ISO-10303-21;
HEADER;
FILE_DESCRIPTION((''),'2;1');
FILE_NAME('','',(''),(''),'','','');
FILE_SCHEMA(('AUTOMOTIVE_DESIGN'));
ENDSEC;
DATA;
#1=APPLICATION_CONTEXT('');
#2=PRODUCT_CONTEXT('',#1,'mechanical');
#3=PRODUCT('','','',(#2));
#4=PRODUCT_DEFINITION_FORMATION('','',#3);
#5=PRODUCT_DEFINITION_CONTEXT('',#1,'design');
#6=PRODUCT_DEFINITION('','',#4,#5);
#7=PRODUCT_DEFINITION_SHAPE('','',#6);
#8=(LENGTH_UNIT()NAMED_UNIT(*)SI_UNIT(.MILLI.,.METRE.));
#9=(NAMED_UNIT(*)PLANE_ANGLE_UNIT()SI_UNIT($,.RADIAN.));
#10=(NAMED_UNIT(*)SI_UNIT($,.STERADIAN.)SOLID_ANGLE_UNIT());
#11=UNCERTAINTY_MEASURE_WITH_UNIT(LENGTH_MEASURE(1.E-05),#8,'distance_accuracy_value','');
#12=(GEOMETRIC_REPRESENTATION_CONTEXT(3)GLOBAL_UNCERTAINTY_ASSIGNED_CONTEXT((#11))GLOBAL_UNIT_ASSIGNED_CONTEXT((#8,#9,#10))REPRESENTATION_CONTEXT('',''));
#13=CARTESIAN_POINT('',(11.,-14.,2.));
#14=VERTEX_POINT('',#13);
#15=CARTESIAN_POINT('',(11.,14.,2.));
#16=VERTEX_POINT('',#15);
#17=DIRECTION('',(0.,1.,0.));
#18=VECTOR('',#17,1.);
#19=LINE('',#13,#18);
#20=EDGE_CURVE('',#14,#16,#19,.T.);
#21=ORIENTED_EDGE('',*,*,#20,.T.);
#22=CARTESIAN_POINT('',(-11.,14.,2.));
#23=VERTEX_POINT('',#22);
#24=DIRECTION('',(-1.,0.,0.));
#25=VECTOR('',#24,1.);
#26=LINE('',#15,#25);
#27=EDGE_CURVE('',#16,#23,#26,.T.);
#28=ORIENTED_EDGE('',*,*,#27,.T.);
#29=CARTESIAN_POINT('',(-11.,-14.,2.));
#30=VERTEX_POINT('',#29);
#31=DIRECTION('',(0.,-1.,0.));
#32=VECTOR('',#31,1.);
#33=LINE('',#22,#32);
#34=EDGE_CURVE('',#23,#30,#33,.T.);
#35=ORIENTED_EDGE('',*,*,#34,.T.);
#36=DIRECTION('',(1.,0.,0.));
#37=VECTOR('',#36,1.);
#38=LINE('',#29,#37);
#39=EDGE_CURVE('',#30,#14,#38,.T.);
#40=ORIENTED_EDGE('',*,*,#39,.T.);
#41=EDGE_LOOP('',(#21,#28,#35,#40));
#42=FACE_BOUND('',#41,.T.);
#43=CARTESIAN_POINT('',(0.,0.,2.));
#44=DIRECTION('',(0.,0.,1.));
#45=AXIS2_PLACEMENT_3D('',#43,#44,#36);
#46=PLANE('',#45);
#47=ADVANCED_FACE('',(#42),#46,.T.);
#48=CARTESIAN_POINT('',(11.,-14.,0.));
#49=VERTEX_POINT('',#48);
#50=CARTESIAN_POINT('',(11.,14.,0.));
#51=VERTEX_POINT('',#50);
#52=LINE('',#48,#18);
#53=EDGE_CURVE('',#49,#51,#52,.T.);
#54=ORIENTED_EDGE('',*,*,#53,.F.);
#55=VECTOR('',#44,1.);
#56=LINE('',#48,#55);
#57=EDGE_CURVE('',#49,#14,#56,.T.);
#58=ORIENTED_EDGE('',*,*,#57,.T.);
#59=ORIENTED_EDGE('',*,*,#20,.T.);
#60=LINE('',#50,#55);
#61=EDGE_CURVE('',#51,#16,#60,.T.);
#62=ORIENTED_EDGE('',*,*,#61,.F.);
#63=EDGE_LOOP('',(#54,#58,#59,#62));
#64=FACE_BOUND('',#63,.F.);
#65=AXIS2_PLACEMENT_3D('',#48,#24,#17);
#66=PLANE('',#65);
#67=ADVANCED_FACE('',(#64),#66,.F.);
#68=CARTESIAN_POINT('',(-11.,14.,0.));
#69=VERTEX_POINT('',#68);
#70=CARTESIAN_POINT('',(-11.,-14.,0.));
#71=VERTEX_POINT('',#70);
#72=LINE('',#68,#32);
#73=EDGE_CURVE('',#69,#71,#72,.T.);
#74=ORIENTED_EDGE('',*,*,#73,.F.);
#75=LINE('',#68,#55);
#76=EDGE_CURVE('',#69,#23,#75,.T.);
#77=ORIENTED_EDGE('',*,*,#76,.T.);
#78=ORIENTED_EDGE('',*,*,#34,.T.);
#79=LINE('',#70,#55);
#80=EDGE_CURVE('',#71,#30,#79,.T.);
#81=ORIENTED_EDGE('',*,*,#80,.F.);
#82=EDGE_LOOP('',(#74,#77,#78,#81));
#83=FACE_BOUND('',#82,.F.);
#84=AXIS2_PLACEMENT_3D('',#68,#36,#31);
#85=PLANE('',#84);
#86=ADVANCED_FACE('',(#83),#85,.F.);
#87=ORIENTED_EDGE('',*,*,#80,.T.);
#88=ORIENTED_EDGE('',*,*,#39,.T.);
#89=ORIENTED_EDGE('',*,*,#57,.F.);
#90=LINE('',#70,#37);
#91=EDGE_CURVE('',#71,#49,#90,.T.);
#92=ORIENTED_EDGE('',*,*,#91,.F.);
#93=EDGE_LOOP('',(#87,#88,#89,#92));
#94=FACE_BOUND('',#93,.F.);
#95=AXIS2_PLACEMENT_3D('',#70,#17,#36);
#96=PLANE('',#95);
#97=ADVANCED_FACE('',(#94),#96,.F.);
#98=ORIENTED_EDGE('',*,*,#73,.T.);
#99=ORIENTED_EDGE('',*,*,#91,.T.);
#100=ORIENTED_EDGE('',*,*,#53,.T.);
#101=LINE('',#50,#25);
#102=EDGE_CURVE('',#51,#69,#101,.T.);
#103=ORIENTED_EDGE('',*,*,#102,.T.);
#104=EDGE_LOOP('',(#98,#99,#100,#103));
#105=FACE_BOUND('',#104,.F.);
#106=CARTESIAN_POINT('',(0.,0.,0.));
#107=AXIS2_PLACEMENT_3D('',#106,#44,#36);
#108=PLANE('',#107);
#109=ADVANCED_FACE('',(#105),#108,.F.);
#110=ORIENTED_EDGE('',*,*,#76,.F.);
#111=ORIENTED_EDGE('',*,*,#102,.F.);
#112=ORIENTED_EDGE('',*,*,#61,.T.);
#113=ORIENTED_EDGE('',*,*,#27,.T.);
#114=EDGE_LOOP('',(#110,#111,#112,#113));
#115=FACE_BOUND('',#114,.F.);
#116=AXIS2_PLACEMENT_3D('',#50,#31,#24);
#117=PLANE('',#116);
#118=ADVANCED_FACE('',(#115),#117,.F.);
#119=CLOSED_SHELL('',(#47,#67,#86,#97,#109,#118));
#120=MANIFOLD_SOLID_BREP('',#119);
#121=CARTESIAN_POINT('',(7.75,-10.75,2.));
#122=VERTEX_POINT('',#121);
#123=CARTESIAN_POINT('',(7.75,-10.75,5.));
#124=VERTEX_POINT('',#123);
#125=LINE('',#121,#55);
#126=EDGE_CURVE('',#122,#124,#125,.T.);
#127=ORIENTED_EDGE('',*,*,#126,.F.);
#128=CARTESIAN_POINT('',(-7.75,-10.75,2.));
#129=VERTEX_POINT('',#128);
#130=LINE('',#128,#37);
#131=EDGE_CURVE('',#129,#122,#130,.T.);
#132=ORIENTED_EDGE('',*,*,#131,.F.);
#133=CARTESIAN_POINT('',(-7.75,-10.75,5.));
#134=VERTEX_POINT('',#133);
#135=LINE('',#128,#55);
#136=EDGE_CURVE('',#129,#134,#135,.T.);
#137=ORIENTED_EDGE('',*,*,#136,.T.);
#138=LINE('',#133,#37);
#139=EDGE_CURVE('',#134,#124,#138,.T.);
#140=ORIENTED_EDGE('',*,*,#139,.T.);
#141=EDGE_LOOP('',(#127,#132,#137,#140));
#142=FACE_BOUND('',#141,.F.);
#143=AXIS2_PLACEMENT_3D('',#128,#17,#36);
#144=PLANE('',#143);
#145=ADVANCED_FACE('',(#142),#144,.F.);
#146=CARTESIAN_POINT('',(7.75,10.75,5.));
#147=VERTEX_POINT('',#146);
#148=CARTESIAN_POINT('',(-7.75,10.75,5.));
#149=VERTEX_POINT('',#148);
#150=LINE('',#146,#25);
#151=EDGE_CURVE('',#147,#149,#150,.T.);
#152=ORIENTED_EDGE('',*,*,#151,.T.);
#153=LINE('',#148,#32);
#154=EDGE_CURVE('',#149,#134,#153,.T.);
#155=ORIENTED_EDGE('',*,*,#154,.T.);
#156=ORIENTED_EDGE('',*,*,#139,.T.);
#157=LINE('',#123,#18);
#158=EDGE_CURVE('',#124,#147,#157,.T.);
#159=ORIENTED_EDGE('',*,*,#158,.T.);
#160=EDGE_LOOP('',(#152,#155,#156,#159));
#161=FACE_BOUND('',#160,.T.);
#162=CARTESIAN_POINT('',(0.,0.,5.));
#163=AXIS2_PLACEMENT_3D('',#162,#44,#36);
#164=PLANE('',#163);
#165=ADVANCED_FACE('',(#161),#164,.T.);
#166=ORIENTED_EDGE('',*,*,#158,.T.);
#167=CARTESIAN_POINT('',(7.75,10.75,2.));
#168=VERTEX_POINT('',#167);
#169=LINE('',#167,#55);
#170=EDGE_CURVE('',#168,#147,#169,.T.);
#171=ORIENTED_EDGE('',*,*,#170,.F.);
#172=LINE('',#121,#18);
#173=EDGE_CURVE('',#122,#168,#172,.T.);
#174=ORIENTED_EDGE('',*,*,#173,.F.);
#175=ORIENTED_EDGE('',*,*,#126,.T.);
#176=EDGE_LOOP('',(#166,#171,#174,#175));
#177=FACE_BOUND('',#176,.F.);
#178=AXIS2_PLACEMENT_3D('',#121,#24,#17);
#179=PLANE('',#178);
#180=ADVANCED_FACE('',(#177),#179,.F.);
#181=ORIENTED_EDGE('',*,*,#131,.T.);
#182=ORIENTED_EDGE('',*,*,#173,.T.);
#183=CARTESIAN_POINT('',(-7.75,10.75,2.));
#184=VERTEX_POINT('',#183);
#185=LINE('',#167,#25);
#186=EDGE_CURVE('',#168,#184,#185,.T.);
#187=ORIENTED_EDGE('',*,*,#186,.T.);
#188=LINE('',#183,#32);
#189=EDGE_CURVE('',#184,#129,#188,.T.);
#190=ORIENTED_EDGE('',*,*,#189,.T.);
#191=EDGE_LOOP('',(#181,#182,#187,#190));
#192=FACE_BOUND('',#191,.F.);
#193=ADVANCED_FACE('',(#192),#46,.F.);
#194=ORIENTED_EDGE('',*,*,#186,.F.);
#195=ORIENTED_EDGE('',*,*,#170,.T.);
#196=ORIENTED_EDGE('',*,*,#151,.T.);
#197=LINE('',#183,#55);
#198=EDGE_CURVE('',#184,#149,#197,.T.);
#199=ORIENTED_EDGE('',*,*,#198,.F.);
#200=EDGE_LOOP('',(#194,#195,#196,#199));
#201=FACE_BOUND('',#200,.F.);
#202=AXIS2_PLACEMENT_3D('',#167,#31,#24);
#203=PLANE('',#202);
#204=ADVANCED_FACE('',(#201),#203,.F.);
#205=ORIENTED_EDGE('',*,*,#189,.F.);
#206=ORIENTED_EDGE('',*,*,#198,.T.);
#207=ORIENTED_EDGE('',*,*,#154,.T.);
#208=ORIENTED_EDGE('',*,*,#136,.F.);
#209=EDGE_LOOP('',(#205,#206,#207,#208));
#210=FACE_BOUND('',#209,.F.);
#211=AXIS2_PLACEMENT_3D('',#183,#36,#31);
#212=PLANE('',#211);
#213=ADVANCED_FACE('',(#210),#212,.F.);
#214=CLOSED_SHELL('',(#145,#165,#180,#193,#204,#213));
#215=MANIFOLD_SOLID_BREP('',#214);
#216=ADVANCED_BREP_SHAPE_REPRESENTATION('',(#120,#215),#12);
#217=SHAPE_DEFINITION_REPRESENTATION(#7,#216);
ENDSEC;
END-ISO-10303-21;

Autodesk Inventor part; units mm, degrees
ref_plane "YZ Plane" through (0, 0, 0) normal (1, 0, 0) x (0, 1, 0)
ref_plane "XZ Plane" through (0, 0, 0) normal (0, 1, 0) x (-1, 0, 0)
sketch "Skizze1" plane through (0, 0, 0) normal (0, 0, 1) x (1, 0, 0)
  line L0 (-11, -14) -> (11, -14)
  line L1 (11, -14) -> (11, 14)
  line L2 (11, 14) -> (-11, 14)
  line L3 (-11, 14) -> (-11, -14)
extrude "Extrusion1" add sketch "Skizze1" along normal blind 2
ref_plane "Arbeitsebene1" through (0, 0, 2) normal (0, 0, 1) x (1, 0, 0)
sketch "Skizze2" plane through (0, 0, 2) normal (0, 0, 1) x (1, 0, 0)
  line L0 (-7.75, -10.75) -> (7.75, -10.75)
  line L1 (7.75, -10.75) -> (7.75, 10.75)
  line L2 (7.75, 10.75) -> (-7.75, 10.75)
  line L3 (-7.75, 10.75) -> (-7.75, -10.75)
extrude "Extrusion2" add sketch "Skizze2" along normal blind 3 separate body
properties part number "Motor_Fensterdeckel"
